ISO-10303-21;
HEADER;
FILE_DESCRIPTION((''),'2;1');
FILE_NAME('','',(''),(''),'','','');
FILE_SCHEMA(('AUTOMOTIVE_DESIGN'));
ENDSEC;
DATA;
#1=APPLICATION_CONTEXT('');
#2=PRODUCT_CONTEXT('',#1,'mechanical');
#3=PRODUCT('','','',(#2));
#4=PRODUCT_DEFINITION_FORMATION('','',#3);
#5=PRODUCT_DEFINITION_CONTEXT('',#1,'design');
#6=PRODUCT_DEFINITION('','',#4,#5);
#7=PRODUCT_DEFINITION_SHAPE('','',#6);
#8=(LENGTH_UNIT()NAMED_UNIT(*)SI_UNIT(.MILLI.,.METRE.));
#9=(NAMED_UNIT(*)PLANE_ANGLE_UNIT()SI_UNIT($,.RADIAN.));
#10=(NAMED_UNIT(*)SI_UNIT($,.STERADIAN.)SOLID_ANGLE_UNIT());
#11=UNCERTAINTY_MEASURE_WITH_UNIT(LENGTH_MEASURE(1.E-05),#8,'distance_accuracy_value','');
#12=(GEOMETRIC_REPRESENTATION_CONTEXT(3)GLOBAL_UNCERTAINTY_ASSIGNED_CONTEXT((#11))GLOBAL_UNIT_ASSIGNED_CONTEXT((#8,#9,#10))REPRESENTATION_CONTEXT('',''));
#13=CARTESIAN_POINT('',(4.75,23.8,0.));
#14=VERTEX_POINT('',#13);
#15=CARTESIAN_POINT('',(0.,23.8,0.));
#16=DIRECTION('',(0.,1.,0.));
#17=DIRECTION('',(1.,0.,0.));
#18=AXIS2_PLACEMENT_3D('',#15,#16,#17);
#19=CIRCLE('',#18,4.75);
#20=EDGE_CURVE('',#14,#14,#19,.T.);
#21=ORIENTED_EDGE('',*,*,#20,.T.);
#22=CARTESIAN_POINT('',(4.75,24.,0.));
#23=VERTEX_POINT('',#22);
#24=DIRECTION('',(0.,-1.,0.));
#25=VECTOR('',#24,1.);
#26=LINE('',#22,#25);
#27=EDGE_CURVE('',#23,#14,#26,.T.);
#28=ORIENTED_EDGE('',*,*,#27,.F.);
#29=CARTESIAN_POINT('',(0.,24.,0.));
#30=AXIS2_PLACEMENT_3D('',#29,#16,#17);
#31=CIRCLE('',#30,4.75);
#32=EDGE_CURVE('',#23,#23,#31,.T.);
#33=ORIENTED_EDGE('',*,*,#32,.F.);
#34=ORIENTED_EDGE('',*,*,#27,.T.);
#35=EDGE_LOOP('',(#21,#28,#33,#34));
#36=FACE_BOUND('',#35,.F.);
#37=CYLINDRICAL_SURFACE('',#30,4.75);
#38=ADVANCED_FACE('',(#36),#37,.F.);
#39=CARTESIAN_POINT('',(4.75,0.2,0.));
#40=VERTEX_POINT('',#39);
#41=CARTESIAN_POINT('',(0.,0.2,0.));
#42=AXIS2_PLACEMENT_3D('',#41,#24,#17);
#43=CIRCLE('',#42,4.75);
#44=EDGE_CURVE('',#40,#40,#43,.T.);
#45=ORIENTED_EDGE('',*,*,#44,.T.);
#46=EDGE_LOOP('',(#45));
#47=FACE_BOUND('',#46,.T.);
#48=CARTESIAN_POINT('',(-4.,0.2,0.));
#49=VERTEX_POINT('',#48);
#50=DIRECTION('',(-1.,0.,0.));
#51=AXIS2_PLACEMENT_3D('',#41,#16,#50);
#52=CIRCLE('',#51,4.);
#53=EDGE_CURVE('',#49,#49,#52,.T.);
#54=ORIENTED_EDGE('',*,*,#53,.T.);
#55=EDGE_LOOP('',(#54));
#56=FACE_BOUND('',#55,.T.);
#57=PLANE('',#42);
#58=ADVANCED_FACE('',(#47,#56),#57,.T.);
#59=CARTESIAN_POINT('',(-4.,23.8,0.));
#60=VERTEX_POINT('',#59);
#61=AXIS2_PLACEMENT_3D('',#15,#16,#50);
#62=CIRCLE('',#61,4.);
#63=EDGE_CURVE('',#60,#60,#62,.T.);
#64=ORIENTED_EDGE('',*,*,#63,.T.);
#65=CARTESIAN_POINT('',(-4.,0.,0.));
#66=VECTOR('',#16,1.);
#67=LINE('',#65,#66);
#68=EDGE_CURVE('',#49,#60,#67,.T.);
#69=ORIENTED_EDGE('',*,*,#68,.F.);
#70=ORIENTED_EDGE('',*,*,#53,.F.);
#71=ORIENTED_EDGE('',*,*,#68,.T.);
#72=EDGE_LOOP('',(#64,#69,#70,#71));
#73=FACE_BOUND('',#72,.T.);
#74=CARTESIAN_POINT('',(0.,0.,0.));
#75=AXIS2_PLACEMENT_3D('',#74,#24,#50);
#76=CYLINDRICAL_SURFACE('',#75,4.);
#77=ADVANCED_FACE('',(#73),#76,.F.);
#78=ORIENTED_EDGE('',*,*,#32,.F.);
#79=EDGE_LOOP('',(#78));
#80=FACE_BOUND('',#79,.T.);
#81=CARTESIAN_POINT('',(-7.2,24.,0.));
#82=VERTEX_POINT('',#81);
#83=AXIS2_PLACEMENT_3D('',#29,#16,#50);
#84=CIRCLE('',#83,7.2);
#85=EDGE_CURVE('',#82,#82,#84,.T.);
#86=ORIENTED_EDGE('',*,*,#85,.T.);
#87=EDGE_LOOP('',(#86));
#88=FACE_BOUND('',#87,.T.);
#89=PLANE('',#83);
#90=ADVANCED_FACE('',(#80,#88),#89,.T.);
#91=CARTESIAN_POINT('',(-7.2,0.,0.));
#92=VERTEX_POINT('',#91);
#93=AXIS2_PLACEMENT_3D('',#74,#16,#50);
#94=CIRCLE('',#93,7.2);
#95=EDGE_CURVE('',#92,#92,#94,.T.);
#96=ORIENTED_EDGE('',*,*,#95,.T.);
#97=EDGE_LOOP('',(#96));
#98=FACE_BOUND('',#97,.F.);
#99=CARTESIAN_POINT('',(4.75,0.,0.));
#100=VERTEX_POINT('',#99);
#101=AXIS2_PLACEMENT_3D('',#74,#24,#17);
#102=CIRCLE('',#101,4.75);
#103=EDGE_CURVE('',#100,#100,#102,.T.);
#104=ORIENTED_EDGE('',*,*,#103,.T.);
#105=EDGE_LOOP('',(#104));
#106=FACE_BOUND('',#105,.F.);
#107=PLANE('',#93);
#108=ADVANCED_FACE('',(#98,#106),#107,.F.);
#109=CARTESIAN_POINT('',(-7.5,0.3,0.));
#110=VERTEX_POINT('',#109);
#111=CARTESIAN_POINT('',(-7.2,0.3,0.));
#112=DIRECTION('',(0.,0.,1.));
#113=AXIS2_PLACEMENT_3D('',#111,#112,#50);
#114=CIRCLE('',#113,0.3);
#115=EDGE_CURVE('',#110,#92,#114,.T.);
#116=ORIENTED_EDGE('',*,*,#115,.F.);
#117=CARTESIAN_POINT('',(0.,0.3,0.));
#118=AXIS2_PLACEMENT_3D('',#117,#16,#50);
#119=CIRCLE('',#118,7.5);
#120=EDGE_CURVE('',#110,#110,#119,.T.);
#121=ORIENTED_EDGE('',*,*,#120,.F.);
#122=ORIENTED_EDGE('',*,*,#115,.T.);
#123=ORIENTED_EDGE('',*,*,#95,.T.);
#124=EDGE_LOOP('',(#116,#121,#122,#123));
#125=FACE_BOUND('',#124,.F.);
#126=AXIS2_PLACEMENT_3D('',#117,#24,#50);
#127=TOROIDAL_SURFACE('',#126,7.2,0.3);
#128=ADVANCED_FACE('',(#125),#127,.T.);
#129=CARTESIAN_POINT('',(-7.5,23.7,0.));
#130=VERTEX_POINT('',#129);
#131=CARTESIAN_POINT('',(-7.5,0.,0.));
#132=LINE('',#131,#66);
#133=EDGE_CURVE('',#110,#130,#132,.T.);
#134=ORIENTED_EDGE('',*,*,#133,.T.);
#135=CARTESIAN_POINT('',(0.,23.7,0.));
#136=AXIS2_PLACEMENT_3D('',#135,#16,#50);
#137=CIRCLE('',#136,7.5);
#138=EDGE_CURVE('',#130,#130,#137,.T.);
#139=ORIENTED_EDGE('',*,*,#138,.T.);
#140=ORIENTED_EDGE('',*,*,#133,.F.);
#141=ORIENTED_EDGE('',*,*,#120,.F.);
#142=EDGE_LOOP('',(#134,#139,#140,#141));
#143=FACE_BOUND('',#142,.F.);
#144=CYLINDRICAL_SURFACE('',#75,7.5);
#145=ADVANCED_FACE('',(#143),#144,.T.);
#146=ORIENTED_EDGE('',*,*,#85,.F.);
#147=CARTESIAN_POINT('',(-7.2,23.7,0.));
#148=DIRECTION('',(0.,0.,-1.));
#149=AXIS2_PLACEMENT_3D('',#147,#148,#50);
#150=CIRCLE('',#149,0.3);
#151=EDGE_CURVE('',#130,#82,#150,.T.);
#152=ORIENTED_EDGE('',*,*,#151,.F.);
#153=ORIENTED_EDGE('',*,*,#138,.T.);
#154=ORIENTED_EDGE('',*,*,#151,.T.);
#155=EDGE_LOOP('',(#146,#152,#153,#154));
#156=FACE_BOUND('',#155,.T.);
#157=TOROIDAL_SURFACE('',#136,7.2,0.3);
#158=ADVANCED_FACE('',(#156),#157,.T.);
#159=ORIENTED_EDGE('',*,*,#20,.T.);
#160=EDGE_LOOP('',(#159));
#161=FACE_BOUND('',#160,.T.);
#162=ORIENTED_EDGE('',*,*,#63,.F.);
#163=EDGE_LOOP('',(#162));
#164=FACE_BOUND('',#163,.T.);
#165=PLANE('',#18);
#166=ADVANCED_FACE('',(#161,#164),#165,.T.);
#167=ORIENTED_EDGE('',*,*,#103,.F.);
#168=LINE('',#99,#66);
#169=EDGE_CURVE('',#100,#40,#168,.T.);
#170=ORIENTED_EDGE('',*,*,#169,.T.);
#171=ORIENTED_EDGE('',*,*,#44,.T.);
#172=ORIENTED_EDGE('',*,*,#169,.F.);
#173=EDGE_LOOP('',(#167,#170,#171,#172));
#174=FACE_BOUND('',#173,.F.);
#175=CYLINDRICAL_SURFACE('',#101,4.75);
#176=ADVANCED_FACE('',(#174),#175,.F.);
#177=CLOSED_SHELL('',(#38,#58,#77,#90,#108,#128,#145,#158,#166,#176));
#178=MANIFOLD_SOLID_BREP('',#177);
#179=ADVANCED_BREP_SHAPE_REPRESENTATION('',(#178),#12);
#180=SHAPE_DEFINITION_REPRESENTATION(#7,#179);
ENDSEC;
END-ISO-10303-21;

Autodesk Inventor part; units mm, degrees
ref_plane "YZ Plane" through (0, 0, 0) normal (1, 0, 0) x (0, 1, 0)
ref_plane "XZ Plane" through (0, 0, 0) normal (0, 1, 0) x (-1, 0, 0)
ref_plane "XY Plane" through (0, 0, 0) normal (0, 0, 1) x (1, 0, 0)
sketch "Sketch1" plane through (0, 0, 0) normal (0, 1, 0) x (-1, 0, 0)
  circle A0 centre (0, 0) radius 7.5
  circle A1 centre (0, 0) radius 4
  dimension "d0" = 15
  dimension "d1" = 8
extrude "Extrusion1" add sketch "Sketch1" along normal blind 24
sketch "Sketch2" plane through (0, 24, 0) normal (0, 1, 0) x (1, 0, 0)
  circle A0 centre (0, 0) radius 4 projected
  circle A1 centre (0, 0) radius 7.5 projected
  circle A2 centre (0, 0) radius 4.75
  dimension "d4" = 9.5
extrude "Extrusion2" cut sketch "Sketch2" against normal blind 0.2 contours A2
sketch "Sketch3" plane through (0, 0, 0) normal (0, -1, 0) x (1, 0, 0)
  circle A0 centre (0, 0) radius 4 projected
  circle A1 centre (0, 0) radius 7.5 projected
  circle A2 centre (0, 0) radius 4.75
  dimension "d7" = 9.5
extrude "Extrusion3" cut sketch "Sketch3" against normal blind 0.2 contours A2
fillet "Fillet1" radius 0.3 2 edges at (7.5, 0, 0) (7.5, 24, 0)
thread "Thread1" size "M8x1.25" class "6H" standard "ANSI Metric M Profile" full length
properties part number "LM8UU" material "Stainless Steel AISI 202"
